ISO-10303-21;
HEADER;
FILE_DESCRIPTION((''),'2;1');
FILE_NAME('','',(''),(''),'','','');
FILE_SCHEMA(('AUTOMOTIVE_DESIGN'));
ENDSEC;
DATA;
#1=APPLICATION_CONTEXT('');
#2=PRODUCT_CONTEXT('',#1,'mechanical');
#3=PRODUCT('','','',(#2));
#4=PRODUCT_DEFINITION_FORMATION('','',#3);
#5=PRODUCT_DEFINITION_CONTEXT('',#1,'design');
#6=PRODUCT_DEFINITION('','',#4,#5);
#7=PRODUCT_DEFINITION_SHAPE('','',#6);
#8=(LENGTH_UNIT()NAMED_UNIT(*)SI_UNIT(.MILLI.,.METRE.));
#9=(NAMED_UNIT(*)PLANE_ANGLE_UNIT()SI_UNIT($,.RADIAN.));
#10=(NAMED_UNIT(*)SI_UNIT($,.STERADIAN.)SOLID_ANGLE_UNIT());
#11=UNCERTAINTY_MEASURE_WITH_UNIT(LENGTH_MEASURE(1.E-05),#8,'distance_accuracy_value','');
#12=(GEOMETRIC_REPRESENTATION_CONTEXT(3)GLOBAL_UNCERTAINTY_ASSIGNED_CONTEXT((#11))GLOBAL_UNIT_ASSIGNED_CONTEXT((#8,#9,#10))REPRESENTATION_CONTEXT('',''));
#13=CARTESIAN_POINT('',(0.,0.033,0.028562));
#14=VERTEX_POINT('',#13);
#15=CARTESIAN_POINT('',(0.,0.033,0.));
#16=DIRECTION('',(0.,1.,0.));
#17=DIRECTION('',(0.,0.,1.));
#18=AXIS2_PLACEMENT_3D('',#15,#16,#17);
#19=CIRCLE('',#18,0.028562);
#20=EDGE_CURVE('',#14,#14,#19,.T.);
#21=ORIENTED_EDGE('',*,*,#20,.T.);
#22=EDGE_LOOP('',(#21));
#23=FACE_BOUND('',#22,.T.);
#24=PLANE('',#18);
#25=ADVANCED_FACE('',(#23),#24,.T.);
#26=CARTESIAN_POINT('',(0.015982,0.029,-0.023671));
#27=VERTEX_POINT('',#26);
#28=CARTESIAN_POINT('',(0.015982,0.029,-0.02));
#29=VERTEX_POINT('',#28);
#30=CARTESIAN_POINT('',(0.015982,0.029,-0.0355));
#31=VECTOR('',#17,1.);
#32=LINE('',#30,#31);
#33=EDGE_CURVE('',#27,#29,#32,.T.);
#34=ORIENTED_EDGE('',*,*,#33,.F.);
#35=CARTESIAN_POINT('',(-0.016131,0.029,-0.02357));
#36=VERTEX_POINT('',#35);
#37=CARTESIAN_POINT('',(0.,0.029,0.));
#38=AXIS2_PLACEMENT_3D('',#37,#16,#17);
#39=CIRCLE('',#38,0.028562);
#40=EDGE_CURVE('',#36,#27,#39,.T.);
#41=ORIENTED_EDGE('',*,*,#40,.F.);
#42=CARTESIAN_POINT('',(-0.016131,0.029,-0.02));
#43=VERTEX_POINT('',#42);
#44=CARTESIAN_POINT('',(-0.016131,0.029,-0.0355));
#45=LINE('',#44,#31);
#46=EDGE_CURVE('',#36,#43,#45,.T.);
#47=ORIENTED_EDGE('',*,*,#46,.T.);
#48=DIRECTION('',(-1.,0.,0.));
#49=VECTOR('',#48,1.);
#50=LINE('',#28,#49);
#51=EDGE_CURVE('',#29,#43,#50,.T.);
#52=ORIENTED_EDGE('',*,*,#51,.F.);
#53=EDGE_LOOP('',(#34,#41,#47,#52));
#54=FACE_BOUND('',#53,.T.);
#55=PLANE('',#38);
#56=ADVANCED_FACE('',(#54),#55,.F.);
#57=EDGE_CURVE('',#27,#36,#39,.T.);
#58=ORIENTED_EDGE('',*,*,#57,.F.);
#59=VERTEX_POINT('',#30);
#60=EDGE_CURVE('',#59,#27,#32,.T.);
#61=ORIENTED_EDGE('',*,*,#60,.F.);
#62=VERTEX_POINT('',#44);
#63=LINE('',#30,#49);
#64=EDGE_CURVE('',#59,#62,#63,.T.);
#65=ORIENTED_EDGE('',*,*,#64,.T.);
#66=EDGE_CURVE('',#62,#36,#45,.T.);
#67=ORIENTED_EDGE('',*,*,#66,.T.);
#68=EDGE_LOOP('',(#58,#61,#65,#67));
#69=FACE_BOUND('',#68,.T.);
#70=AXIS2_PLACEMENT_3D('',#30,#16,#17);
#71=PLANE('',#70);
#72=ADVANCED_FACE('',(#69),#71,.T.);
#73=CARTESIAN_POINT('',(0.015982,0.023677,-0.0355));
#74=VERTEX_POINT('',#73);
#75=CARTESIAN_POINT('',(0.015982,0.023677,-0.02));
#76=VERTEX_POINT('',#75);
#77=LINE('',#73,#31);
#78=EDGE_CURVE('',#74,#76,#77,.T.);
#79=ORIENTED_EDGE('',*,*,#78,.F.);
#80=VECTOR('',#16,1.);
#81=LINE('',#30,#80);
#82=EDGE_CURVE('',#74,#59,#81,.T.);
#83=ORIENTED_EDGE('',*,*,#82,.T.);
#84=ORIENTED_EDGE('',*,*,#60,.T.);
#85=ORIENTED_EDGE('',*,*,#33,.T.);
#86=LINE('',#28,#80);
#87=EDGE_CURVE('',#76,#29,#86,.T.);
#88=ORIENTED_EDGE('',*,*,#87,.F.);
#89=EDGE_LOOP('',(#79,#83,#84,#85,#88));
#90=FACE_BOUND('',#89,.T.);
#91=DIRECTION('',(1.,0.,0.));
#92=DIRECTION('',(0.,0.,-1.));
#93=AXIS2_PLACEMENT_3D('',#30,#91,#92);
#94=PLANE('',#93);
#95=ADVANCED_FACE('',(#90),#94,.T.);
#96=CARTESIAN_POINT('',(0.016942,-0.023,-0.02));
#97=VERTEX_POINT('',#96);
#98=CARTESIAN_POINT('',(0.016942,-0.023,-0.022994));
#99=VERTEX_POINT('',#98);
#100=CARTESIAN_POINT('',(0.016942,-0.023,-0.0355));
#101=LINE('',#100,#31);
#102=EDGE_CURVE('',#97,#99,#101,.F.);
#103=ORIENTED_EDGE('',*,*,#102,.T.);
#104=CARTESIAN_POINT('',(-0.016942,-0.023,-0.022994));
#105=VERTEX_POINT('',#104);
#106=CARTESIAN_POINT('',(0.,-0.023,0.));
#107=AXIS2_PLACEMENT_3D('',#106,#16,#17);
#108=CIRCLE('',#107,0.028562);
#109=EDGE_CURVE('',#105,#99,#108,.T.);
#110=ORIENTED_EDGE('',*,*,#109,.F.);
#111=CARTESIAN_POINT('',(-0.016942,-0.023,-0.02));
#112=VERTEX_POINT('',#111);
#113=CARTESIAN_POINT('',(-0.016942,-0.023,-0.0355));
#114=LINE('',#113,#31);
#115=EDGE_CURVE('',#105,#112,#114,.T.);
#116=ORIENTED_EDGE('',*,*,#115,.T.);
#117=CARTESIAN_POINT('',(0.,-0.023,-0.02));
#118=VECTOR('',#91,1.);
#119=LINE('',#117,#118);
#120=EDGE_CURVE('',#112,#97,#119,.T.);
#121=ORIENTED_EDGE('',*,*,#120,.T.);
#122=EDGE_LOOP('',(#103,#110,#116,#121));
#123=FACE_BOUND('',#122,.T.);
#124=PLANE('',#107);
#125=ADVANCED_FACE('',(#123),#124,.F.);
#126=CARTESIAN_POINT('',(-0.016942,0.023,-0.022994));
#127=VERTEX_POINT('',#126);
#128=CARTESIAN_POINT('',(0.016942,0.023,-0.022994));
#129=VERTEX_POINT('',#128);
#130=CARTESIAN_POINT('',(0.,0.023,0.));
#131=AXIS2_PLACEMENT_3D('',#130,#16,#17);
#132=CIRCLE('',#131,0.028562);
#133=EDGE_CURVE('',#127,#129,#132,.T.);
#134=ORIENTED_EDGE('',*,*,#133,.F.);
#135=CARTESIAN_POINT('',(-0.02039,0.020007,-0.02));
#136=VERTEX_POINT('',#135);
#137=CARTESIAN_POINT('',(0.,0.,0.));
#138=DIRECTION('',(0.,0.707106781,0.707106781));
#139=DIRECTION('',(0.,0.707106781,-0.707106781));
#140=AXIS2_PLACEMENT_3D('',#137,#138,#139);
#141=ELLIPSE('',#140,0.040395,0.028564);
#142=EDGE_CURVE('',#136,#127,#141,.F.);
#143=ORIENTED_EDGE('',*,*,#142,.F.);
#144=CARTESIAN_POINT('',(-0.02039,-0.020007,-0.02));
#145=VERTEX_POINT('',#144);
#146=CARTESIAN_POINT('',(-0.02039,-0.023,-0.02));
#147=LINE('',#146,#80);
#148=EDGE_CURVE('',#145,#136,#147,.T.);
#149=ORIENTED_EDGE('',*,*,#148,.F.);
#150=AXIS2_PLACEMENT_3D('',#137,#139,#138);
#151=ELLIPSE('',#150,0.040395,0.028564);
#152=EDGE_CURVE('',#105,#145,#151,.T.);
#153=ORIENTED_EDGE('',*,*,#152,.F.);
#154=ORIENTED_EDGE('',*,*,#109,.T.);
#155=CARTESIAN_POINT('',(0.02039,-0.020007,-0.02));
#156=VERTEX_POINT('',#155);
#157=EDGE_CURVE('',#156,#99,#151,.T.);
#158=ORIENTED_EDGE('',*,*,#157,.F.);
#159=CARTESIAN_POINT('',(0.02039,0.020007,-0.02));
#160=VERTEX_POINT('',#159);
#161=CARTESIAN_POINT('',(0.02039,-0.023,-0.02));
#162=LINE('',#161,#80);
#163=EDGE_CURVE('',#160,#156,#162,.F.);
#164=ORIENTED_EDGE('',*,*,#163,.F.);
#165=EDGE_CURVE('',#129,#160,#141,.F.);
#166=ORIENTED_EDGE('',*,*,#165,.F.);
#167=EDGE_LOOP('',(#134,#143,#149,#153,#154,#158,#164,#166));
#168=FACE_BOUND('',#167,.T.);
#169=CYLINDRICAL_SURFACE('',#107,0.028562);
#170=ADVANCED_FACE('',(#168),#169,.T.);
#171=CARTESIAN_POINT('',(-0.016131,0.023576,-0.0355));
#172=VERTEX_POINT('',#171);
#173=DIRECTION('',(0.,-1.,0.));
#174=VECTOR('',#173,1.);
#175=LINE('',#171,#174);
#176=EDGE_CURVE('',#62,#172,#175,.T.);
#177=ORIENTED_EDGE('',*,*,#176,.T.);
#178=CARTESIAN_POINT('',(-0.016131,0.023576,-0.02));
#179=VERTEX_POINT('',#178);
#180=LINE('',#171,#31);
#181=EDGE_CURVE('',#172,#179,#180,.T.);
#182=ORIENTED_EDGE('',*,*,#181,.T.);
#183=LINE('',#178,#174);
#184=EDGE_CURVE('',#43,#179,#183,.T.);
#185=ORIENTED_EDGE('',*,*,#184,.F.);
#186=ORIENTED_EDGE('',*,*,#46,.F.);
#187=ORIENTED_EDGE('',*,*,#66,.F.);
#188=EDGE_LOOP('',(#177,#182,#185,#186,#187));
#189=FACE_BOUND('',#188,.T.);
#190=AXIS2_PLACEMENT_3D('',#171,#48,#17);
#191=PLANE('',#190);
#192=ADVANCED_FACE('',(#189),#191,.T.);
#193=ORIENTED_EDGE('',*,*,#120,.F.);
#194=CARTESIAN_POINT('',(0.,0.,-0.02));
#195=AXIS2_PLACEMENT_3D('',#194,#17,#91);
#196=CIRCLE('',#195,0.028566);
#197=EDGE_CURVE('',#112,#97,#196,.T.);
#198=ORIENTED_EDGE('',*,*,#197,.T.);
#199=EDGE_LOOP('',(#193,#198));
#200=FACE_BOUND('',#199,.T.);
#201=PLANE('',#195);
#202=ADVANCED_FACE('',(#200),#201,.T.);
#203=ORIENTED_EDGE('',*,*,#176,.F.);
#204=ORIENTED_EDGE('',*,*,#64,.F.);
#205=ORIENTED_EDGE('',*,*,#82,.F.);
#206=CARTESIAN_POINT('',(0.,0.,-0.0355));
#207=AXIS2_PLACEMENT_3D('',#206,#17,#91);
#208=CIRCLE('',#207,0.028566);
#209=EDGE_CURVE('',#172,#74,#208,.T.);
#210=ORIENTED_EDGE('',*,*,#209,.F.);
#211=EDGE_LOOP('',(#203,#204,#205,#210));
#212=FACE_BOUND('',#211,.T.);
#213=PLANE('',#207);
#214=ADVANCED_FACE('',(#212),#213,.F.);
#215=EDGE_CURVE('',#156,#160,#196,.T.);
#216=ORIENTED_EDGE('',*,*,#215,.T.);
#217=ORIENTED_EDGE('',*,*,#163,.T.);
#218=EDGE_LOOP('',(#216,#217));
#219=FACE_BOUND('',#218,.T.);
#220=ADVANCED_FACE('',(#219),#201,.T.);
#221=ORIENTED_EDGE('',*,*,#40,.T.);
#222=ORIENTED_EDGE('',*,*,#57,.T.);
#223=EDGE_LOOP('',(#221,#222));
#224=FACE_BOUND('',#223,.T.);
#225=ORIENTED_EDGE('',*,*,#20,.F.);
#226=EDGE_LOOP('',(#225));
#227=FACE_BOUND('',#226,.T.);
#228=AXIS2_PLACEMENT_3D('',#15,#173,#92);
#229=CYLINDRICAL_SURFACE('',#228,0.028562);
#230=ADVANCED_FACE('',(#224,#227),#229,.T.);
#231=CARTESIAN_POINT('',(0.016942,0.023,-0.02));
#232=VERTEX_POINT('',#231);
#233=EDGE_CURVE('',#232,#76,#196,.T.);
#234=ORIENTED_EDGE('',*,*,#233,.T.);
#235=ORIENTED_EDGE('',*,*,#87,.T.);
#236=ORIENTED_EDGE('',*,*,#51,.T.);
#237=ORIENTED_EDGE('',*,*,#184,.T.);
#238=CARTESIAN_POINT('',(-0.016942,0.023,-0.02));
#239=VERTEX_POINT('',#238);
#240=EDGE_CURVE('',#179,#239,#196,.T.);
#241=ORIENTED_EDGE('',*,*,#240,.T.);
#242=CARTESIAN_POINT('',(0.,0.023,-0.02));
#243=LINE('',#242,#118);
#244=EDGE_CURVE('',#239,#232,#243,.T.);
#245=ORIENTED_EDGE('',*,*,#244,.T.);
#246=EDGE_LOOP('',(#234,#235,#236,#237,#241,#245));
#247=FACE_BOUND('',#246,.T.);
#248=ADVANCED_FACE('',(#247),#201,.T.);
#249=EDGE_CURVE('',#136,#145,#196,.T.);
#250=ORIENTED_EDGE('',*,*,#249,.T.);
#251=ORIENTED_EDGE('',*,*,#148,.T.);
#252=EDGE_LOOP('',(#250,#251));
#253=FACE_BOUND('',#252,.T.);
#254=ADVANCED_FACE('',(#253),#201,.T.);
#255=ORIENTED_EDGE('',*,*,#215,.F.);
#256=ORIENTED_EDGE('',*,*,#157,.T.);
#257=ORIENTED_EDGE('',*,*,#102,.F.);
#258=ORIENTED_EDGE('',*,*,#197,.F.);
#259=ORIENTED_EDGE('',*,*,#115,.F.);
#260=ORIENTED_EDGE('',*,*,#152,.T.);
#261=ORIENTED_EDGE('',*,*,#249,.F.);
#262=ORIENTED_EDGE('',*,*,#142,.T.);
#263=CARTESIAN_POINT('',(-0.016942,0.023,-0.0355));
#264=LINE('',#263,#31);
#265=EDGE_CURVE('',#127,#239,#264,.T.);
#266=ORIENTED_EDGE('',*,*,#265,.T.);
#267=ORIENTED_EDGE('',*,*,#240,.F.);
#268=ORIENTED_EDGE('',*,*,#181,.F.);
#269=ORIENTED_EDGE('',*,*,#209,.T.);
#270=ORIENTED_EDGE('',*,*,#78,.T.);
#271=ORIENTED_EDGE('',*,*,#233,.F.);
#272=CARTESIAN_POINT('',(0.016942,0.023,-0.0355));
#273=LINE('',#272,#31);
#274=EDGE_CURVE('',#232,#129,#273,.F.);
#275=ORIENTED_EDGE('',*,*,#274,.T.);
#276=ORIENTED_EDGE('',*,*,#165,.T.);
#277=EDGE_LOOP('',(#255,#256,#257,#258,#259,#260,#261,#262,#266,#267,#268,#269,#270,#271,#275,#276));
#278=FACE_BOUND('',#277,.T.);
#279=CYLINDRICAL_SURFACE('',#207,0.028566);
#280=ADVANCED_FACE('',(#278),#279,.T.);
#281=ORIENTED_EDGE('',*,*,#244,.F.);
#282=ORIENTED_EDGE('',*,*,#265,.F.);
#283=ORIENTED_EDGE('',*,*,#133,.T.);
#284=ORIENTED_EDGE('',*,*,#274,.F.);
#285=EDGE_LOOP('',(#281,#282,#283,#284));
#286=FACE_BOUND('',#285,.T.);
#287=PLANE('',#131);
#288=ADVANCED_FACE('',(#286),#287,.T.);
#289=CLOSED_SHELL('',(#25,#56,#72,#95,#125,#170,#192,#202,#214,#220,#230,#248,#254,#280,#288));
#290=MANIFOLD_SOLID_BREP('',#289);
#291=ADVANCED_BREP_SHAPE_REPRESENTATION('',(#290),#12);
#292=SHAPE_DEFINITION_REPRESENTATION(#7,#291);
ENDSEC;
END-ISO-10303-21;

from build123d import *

# Parameters (mm, degrees)
BOSS_EXTRUDE1_DEPTH      = 0.023
BOSS_EXTRUDE1_DEPTH_BACK = 0.023
SKETCH1_R                = 0.028561519
BOSS_EXTRUDE2_START      = 0.029
SKETCH1_2_R              = 0.028561519
BOSS_EXTRUDE2_DEPTH      = 0.004
BOSS_EXTRUDE3_START      = -0.02
BOSS_EXTRUDE3_DEPTH      = 0.0155


with BuildPart() as part:
    # Sketch1 → Boss-Extrude1 (new, two sides: drawn at the far end of the back side and taken through both)
    with BuildSketch(Plane(origin=(0, 0, 0), x_dir=(1, 0, 0), z_dir=(0, 1, 0)).offset(-BOSS_EXTRUDE1_DEPTH_BACK)):
        Circle(SKETCH1_R)
    extrude(amount=BOSS_EXTRUDE1_DEPTH + BOSS_EXTRUDE1_DEPTH_BACK)



with BuildPart() as body_2:
    # Sketch1<2> → Boss-Extrude2 (new body)
    with BuildSketch(Plane(origin=(0, 0, 0), x_dir=(1, 0, 0), z_dir=(0, 1, 0)).offset(BOSS_EXTRUDE2_START)):
        Circle(SKETCH1_2_R)
    extrude(amount=BOSS_EXTRUDE2_DEPTH)


with BuildPart() as part_1:
    add(part.part)

    add(body_2.part)  # Boss-Extrude3 merges body 2
    # Sketch2 → Boss-Extrude3 (add)
    with BuildSketch(Plane.XY.offset(BOSS_EXTRUDE3_START)):
        with BuildLine():
            Line((-0.016131092, 0.023575884), (-0.016131092, 0.029))
            Line((-0.016131092, 0.029), (0.015982454, 0.029))
            Line((0.015982454, 0.029), (0.015982454, 0.0236769))
            ThreePointArc((0.015982454, 0.0236769), (8.9858e-05, -0.028566175), (-0.016131092, 0.023575884))
        make_face()
    extrude(amount=-BOSS_EXTRUDE3_DEPTH)


solid = part_1.part
